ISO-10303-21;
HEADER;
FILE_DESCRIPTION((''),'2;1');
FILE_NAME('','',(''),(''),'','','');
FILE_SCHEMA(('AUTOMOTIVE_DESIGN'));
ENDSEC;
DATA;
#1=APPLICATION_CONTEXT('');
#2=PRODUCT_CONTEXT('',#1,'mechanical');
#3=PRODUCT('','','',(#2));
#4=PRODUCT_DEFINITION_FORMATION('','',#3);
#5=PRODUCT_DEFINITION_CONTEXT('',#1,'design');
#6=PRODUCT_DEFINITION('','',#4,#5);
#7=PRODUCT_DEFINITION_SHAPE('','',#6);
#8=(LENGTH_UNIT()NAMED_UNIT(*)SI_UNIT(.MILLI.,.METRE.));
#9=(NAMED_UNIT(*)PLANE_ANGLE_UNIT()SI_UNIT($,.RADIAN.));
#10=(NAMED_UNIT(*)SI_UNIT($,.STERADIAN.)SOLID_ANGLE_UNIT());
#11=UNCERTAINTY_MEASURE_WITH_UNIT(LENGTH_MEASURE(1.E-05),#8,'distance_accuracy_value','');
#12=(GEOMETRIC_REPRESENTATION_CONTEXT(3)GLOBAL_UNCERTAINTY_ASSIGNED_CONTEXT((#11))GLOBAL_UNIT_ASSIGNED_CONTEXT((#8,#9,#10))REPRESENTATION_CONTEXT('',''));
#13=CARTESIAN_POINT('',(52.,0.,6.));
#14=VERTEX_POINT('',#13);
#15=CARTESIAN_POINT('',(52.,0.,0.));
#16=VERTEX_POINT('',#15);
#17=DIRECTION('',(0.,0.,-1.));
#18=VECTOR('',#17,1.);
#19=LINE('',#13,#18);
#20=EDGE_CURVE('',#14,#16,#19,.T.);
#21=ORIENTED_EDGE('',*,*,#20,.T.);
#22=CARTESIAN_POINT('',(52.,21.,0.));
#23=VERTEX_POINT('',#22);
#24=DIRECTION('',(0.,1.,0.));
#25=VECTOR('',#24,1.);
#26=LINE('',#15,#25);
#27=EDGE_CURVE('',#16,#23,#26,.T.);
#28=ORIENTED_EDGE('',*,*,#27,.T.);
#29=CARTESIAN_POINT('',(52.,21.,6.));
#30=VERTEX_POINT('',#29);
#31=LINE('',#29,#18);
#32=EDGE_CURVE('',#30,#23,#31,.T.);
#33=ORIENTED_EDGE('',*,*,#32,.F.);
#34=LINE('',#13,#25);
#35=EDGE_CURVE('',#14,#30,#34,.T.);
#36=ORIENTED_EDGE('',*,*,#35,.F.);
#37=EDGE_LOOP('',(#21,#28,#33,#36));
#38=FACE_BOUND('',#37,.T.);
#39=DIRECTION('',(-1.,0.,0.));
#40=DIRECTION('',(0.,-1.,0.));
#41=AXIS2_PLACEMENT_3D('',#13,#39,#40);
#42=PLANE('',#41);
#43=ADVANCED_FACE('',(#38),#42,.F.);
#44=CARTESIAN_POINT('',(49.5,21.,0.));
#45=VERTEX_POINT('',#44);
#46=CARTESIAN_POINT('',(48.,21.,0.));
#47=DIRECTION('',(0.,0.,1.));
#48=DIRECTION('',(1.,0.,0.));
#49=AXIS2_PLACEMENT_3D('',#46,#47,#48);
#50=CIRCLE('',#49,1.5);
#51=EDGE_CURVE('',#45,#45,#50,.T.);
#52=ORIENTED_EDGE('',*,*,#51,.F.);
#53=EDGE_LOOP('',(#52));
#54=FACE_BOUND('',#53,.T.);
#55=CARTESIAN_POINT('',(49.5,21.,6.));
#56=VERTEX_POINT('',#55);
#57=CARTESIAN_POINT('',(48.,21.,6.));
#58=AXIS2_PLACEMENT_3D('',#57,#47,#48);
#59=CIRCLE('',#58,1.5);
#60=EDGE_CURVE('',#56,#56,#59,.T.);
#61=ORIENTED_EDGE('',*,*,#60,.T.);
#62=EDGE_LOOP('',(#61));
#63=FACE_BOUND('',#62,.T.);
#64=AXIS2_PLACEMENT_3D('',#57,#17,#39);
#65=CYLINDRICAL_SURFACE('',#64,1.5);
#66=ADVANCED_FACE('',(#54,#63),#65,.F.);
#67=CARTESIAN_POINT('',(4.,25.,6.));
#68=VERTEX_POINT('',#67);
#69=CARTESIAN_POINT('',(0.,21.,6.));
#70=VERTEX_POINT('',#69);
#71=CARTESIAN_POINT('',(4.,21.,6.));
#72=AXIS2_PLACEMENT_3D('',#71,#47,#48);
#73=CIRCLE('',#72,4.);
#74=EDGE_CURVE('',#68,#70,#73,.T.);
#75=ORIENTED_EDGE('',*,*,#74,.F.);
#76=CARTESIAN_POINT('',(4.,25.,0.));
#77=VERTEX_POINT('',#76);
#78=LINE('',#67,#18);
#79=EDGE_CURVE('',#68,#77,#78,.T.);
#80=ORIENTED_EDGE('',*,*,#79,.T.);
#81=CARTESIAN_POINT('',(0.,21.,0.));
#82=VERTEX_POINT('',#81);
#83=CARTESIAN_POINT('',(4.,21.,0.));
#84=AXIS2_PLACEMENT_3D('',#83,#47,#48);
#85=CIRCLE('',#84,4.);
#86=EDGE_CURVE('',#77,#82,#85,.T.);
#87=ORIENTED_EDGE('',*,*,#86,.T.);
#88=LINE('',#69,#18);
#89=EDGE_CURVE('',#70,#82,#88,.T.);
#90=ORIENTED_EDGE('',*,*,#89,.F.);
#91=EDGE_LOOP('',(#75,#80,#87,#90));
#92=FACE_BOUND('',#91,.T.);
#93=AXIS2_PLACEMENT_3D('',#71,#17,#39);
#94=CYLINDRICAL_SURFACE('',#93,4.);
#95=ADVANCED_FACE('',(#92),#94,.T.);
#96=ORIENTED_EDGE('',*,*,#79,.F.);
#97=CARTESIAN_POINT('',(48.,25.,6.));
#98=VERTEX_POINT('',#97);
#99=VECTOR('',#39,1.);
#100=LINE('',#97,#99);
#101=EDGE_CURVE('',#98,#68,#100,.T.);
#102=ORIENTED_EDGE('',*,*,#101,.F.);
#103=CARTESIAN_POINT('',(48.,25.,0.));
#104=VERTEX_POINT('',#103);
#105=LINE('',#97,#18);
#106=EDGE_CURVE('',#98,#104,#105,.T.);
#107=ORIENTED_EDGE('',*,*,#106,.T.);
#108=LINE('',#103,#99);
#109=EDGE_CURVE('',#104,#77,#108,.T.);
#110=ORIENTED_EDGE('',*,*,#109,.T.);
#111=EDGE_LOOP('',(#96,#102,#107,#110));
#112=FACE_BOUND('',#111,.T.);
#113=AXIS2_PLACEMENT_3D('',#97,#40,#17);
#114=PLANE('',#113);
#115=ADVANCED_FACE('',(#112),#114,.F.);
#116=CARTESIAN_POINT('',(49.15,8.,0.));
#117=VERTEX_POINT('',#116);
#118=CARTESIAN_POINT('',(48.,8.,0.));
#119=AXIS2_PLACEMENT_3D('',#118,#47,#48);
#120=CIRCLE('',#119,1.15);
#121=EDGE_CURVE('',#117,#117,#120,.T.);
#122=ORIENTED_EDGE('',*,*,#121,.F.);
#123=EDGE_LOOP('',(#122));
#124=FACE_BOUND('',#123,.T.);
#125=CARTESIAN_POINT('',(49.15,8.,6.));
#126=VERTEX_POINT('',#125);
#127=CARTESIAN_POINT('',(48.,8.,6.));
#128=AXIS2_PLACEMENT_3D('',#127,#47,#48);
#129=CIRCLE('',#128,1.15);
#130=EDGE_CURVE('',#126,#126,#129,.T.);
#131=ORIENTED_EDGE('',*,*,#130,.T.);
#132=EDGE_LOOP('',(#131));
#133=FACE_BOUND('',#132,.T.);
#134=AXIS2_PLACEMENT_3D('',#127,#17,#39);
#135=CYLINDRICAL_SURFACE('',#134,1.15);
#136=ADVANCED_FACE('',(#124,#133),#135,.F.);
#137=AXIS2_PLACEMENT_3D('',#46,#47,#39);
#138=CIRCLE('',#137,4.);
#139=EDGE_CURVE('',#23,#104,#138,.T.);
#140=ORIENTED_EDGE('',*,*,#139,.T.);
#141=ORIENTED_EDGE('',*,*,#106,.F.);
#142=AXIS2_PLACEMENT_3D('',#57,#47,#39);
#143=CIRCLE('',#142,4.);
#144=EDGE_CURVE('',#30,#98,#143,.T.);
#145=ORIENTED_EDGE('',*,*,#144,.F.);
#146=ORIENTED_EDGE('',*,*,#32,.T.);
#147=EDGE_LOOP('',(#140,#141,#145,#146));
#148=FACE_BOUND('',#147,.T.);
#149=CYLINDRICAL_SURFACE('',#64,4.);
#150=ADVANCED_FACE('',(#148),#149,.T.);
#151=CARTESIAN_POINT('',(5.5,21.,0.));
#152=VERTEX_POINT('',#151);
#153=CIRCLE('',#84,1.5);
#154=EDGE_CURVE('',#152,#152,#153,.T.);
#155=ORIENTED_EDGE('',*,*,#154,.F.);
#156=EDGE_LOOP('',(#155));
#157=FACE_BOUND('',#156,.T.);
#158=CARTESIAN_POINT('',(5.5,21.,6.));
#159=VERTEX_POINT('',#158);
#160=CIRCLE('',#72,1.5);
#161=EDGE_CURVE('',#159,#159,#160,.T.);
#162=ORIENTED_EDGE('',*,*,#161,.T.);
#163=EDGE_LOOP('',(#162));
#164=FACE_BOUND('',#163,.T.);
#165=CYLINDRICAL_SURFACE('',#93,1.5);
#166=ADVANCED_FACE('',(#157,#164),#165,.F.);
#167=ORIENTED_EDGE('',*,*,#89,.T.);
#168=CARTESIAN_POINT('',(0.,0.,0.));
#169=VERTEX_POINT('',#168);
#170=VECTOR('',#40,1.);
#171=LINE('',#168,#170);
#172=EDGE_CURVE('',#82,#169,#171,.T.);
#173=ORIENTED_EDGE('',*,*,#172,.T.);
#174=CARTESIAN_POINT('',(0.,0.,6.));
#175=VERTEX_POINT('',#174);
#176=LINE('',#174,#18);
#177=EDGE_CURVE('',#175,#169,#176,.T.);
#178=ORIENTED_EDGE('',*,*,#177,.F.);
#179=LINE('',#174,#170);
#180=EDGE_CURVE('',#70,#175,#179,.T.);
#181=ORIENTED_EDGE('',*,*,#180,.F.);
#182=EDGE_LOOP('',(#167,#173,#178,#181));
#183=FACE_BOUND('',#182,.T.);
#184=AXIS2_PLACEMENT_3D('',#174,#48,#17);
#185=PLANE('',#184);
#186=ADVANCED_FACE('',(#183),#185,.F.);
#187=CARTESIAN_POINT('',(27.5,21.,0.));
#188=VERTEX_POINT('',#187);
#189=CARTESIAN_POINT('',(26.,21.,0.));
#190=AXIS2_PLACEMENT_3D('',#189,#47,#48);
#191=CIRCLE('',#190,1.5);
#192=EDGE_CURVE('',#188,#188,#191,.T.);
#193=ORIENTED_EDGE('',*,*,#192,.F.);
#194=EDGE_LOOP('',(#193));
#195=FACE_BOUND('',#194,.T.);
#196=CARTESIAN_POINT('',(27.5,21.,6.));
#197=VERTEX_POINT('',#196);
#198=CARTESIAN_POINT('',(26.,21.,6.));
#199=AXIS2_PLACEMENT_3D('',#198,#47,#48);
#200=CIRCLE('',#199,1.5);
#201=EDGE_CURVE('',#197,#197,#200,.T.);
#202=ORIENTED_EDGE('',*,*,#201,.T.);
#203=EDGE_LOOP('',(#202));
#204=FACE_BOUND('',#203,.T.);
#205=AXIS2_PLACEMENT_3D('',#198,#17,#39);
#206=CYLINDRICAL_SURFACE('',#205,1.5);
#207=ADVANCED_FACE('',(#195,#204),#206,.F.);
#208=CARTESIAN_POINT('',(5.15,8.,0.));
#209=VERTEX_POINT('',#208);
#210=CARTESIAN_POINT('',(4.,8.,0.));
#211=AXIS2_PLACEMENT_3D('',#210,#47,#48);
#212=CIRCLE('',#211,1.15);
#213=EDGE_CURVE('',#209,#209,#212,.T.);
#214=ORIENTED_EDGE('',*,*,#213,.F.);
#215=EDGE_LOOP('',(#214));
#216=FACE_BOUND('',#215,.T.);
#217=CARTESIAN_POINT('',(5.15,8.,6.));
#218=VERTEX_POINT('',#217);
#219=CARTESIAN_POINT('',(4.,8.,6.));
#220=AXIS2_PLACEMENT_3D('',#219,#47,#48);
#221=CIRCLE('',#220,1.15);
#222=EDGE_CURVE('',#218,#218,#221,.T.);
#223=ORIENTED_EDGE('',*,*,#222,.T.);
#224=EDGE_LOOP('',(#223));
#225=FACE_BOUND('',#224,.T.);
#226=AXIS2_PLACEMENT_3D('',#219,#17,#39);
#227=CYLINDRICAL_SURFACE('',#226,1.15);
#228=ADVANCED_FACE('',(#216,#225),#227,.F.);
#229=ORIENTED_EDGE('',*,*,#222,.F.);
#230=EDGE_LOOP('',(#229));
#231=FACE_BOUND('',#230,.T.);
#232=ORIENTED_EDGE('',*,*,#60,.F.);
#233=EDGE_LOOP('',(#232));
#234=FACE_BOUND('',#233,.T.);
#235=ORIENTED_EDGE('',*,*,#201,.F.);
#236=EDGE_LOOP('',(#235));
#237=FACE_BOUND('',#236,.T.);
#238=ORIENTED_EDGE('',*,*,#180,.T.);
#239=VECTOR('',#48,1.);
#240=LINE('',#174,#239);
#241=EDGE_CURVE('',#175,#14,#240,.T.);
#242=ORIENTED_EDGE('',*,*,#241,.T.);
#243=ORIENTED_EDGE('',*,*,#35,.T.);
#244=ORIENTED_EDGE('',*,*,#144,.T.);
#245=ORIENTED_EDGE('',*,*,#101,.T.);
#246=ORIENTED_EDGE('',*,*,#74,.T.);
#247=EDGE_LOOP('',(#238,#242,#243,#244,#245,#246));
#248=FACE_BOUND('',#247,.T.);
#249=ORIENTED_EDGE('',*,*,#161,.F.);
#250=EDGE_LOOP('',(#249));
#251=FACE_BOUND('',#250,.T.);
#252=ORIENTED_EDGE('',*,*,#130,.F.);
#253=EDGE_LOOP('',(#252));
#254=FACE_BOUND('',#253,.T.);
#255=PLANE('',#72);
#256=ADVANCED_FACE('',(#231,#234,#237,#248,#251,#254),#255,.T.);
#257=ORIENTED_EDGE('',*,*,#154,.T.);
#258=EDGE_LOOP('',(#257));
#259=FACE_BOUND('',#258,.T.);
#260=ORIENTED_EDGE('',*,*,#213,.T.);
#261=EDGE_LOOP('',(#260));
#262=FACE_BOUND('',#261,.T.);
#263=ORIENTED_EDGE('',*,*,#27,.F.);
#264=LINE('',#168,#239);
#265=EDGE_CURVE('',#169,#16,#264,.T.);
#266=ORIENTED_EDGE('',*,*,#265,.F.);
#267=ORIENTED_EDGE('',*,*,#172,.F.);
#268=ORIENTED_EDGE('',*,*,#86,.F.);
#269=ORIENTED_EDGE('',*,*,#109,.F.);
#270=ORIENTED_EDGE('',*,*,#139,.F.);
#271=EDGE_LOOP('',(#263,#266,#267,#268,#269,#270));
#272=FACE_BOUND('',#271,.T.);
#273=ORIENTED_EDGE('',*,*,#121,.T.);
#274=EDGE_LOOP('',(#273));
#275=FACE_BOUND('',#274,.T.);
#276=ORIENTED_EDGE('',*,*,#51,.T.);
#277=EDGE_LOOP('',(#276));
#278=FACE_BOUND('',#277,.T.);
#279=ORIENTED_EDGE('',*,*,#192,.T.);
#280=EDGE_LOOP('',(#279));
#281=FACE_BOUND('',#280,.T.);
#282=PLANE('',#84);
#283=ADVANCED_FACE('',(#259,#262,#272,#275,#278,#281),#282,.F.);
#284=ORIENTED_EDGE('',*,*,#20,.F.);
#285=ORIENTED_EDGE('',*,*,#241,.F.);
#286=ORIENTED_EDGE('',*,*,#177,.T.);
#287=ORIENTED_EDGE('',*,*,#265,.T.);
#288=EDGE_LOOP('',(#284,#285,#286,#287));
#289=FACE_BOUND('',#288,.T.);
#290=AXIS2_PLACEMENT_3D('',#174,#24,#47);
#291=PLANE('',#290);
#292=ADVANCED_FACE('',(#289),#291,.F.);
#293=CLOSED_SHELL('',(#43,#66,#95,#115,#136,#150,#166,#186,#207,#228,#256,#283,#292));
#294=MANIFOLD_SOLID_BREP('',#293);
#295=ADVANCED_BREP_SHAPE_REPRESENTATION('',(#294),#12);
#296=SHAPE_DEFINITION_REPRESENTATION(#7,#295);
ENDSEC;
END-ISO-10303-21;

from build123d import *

# Parameters (mm, degrees)
SKETCH1_R           = 1.5
SKETCH1_R_2         = 1.15
BOSS_EXTRUDE1_DEPTH = 6


with BuildPart() as part:
    # Sketch1 → Boss-Extrude1 (new body)
    with BuildSketch(Plane.XY):
        with BuildLine():
            Line((0, 0), (52, 0))
            Line((52, 0), (52, 21))
            ThreePointArc((52, 21), (50.828427125, 23.828427125), (48, 25))
            Line((48, 25), (4, 25))
            ThreePointArc((4, 25), (1.171572875, 23.828427125), (0, 21))
            Line((0, 21), (0, 0))
        make_face()
        with Locations((4, 21)):
            Circle(SKETCH1_R, mode=Mode.SUBTRACT)
        with Locations((48, 21)):
            Circle(SKETCH1_R, mode=Mode.SUBTRACT)
        with Locations((4, 8)):
            Circle(SKETCH1_R_2, mode=Mode.SUBTRACT)
        with Locations((48, 8)):
            Circle(SKETCH1_R_2, mode=Mode.SUBTRACT)
        with Locations((26, 21)):
            Circle(SKETCH1_R, mode=Mode.SUBTRACT)
    extrude(amount=BOSS_EXTRUDE1_DEPTH)


solid = part.part
